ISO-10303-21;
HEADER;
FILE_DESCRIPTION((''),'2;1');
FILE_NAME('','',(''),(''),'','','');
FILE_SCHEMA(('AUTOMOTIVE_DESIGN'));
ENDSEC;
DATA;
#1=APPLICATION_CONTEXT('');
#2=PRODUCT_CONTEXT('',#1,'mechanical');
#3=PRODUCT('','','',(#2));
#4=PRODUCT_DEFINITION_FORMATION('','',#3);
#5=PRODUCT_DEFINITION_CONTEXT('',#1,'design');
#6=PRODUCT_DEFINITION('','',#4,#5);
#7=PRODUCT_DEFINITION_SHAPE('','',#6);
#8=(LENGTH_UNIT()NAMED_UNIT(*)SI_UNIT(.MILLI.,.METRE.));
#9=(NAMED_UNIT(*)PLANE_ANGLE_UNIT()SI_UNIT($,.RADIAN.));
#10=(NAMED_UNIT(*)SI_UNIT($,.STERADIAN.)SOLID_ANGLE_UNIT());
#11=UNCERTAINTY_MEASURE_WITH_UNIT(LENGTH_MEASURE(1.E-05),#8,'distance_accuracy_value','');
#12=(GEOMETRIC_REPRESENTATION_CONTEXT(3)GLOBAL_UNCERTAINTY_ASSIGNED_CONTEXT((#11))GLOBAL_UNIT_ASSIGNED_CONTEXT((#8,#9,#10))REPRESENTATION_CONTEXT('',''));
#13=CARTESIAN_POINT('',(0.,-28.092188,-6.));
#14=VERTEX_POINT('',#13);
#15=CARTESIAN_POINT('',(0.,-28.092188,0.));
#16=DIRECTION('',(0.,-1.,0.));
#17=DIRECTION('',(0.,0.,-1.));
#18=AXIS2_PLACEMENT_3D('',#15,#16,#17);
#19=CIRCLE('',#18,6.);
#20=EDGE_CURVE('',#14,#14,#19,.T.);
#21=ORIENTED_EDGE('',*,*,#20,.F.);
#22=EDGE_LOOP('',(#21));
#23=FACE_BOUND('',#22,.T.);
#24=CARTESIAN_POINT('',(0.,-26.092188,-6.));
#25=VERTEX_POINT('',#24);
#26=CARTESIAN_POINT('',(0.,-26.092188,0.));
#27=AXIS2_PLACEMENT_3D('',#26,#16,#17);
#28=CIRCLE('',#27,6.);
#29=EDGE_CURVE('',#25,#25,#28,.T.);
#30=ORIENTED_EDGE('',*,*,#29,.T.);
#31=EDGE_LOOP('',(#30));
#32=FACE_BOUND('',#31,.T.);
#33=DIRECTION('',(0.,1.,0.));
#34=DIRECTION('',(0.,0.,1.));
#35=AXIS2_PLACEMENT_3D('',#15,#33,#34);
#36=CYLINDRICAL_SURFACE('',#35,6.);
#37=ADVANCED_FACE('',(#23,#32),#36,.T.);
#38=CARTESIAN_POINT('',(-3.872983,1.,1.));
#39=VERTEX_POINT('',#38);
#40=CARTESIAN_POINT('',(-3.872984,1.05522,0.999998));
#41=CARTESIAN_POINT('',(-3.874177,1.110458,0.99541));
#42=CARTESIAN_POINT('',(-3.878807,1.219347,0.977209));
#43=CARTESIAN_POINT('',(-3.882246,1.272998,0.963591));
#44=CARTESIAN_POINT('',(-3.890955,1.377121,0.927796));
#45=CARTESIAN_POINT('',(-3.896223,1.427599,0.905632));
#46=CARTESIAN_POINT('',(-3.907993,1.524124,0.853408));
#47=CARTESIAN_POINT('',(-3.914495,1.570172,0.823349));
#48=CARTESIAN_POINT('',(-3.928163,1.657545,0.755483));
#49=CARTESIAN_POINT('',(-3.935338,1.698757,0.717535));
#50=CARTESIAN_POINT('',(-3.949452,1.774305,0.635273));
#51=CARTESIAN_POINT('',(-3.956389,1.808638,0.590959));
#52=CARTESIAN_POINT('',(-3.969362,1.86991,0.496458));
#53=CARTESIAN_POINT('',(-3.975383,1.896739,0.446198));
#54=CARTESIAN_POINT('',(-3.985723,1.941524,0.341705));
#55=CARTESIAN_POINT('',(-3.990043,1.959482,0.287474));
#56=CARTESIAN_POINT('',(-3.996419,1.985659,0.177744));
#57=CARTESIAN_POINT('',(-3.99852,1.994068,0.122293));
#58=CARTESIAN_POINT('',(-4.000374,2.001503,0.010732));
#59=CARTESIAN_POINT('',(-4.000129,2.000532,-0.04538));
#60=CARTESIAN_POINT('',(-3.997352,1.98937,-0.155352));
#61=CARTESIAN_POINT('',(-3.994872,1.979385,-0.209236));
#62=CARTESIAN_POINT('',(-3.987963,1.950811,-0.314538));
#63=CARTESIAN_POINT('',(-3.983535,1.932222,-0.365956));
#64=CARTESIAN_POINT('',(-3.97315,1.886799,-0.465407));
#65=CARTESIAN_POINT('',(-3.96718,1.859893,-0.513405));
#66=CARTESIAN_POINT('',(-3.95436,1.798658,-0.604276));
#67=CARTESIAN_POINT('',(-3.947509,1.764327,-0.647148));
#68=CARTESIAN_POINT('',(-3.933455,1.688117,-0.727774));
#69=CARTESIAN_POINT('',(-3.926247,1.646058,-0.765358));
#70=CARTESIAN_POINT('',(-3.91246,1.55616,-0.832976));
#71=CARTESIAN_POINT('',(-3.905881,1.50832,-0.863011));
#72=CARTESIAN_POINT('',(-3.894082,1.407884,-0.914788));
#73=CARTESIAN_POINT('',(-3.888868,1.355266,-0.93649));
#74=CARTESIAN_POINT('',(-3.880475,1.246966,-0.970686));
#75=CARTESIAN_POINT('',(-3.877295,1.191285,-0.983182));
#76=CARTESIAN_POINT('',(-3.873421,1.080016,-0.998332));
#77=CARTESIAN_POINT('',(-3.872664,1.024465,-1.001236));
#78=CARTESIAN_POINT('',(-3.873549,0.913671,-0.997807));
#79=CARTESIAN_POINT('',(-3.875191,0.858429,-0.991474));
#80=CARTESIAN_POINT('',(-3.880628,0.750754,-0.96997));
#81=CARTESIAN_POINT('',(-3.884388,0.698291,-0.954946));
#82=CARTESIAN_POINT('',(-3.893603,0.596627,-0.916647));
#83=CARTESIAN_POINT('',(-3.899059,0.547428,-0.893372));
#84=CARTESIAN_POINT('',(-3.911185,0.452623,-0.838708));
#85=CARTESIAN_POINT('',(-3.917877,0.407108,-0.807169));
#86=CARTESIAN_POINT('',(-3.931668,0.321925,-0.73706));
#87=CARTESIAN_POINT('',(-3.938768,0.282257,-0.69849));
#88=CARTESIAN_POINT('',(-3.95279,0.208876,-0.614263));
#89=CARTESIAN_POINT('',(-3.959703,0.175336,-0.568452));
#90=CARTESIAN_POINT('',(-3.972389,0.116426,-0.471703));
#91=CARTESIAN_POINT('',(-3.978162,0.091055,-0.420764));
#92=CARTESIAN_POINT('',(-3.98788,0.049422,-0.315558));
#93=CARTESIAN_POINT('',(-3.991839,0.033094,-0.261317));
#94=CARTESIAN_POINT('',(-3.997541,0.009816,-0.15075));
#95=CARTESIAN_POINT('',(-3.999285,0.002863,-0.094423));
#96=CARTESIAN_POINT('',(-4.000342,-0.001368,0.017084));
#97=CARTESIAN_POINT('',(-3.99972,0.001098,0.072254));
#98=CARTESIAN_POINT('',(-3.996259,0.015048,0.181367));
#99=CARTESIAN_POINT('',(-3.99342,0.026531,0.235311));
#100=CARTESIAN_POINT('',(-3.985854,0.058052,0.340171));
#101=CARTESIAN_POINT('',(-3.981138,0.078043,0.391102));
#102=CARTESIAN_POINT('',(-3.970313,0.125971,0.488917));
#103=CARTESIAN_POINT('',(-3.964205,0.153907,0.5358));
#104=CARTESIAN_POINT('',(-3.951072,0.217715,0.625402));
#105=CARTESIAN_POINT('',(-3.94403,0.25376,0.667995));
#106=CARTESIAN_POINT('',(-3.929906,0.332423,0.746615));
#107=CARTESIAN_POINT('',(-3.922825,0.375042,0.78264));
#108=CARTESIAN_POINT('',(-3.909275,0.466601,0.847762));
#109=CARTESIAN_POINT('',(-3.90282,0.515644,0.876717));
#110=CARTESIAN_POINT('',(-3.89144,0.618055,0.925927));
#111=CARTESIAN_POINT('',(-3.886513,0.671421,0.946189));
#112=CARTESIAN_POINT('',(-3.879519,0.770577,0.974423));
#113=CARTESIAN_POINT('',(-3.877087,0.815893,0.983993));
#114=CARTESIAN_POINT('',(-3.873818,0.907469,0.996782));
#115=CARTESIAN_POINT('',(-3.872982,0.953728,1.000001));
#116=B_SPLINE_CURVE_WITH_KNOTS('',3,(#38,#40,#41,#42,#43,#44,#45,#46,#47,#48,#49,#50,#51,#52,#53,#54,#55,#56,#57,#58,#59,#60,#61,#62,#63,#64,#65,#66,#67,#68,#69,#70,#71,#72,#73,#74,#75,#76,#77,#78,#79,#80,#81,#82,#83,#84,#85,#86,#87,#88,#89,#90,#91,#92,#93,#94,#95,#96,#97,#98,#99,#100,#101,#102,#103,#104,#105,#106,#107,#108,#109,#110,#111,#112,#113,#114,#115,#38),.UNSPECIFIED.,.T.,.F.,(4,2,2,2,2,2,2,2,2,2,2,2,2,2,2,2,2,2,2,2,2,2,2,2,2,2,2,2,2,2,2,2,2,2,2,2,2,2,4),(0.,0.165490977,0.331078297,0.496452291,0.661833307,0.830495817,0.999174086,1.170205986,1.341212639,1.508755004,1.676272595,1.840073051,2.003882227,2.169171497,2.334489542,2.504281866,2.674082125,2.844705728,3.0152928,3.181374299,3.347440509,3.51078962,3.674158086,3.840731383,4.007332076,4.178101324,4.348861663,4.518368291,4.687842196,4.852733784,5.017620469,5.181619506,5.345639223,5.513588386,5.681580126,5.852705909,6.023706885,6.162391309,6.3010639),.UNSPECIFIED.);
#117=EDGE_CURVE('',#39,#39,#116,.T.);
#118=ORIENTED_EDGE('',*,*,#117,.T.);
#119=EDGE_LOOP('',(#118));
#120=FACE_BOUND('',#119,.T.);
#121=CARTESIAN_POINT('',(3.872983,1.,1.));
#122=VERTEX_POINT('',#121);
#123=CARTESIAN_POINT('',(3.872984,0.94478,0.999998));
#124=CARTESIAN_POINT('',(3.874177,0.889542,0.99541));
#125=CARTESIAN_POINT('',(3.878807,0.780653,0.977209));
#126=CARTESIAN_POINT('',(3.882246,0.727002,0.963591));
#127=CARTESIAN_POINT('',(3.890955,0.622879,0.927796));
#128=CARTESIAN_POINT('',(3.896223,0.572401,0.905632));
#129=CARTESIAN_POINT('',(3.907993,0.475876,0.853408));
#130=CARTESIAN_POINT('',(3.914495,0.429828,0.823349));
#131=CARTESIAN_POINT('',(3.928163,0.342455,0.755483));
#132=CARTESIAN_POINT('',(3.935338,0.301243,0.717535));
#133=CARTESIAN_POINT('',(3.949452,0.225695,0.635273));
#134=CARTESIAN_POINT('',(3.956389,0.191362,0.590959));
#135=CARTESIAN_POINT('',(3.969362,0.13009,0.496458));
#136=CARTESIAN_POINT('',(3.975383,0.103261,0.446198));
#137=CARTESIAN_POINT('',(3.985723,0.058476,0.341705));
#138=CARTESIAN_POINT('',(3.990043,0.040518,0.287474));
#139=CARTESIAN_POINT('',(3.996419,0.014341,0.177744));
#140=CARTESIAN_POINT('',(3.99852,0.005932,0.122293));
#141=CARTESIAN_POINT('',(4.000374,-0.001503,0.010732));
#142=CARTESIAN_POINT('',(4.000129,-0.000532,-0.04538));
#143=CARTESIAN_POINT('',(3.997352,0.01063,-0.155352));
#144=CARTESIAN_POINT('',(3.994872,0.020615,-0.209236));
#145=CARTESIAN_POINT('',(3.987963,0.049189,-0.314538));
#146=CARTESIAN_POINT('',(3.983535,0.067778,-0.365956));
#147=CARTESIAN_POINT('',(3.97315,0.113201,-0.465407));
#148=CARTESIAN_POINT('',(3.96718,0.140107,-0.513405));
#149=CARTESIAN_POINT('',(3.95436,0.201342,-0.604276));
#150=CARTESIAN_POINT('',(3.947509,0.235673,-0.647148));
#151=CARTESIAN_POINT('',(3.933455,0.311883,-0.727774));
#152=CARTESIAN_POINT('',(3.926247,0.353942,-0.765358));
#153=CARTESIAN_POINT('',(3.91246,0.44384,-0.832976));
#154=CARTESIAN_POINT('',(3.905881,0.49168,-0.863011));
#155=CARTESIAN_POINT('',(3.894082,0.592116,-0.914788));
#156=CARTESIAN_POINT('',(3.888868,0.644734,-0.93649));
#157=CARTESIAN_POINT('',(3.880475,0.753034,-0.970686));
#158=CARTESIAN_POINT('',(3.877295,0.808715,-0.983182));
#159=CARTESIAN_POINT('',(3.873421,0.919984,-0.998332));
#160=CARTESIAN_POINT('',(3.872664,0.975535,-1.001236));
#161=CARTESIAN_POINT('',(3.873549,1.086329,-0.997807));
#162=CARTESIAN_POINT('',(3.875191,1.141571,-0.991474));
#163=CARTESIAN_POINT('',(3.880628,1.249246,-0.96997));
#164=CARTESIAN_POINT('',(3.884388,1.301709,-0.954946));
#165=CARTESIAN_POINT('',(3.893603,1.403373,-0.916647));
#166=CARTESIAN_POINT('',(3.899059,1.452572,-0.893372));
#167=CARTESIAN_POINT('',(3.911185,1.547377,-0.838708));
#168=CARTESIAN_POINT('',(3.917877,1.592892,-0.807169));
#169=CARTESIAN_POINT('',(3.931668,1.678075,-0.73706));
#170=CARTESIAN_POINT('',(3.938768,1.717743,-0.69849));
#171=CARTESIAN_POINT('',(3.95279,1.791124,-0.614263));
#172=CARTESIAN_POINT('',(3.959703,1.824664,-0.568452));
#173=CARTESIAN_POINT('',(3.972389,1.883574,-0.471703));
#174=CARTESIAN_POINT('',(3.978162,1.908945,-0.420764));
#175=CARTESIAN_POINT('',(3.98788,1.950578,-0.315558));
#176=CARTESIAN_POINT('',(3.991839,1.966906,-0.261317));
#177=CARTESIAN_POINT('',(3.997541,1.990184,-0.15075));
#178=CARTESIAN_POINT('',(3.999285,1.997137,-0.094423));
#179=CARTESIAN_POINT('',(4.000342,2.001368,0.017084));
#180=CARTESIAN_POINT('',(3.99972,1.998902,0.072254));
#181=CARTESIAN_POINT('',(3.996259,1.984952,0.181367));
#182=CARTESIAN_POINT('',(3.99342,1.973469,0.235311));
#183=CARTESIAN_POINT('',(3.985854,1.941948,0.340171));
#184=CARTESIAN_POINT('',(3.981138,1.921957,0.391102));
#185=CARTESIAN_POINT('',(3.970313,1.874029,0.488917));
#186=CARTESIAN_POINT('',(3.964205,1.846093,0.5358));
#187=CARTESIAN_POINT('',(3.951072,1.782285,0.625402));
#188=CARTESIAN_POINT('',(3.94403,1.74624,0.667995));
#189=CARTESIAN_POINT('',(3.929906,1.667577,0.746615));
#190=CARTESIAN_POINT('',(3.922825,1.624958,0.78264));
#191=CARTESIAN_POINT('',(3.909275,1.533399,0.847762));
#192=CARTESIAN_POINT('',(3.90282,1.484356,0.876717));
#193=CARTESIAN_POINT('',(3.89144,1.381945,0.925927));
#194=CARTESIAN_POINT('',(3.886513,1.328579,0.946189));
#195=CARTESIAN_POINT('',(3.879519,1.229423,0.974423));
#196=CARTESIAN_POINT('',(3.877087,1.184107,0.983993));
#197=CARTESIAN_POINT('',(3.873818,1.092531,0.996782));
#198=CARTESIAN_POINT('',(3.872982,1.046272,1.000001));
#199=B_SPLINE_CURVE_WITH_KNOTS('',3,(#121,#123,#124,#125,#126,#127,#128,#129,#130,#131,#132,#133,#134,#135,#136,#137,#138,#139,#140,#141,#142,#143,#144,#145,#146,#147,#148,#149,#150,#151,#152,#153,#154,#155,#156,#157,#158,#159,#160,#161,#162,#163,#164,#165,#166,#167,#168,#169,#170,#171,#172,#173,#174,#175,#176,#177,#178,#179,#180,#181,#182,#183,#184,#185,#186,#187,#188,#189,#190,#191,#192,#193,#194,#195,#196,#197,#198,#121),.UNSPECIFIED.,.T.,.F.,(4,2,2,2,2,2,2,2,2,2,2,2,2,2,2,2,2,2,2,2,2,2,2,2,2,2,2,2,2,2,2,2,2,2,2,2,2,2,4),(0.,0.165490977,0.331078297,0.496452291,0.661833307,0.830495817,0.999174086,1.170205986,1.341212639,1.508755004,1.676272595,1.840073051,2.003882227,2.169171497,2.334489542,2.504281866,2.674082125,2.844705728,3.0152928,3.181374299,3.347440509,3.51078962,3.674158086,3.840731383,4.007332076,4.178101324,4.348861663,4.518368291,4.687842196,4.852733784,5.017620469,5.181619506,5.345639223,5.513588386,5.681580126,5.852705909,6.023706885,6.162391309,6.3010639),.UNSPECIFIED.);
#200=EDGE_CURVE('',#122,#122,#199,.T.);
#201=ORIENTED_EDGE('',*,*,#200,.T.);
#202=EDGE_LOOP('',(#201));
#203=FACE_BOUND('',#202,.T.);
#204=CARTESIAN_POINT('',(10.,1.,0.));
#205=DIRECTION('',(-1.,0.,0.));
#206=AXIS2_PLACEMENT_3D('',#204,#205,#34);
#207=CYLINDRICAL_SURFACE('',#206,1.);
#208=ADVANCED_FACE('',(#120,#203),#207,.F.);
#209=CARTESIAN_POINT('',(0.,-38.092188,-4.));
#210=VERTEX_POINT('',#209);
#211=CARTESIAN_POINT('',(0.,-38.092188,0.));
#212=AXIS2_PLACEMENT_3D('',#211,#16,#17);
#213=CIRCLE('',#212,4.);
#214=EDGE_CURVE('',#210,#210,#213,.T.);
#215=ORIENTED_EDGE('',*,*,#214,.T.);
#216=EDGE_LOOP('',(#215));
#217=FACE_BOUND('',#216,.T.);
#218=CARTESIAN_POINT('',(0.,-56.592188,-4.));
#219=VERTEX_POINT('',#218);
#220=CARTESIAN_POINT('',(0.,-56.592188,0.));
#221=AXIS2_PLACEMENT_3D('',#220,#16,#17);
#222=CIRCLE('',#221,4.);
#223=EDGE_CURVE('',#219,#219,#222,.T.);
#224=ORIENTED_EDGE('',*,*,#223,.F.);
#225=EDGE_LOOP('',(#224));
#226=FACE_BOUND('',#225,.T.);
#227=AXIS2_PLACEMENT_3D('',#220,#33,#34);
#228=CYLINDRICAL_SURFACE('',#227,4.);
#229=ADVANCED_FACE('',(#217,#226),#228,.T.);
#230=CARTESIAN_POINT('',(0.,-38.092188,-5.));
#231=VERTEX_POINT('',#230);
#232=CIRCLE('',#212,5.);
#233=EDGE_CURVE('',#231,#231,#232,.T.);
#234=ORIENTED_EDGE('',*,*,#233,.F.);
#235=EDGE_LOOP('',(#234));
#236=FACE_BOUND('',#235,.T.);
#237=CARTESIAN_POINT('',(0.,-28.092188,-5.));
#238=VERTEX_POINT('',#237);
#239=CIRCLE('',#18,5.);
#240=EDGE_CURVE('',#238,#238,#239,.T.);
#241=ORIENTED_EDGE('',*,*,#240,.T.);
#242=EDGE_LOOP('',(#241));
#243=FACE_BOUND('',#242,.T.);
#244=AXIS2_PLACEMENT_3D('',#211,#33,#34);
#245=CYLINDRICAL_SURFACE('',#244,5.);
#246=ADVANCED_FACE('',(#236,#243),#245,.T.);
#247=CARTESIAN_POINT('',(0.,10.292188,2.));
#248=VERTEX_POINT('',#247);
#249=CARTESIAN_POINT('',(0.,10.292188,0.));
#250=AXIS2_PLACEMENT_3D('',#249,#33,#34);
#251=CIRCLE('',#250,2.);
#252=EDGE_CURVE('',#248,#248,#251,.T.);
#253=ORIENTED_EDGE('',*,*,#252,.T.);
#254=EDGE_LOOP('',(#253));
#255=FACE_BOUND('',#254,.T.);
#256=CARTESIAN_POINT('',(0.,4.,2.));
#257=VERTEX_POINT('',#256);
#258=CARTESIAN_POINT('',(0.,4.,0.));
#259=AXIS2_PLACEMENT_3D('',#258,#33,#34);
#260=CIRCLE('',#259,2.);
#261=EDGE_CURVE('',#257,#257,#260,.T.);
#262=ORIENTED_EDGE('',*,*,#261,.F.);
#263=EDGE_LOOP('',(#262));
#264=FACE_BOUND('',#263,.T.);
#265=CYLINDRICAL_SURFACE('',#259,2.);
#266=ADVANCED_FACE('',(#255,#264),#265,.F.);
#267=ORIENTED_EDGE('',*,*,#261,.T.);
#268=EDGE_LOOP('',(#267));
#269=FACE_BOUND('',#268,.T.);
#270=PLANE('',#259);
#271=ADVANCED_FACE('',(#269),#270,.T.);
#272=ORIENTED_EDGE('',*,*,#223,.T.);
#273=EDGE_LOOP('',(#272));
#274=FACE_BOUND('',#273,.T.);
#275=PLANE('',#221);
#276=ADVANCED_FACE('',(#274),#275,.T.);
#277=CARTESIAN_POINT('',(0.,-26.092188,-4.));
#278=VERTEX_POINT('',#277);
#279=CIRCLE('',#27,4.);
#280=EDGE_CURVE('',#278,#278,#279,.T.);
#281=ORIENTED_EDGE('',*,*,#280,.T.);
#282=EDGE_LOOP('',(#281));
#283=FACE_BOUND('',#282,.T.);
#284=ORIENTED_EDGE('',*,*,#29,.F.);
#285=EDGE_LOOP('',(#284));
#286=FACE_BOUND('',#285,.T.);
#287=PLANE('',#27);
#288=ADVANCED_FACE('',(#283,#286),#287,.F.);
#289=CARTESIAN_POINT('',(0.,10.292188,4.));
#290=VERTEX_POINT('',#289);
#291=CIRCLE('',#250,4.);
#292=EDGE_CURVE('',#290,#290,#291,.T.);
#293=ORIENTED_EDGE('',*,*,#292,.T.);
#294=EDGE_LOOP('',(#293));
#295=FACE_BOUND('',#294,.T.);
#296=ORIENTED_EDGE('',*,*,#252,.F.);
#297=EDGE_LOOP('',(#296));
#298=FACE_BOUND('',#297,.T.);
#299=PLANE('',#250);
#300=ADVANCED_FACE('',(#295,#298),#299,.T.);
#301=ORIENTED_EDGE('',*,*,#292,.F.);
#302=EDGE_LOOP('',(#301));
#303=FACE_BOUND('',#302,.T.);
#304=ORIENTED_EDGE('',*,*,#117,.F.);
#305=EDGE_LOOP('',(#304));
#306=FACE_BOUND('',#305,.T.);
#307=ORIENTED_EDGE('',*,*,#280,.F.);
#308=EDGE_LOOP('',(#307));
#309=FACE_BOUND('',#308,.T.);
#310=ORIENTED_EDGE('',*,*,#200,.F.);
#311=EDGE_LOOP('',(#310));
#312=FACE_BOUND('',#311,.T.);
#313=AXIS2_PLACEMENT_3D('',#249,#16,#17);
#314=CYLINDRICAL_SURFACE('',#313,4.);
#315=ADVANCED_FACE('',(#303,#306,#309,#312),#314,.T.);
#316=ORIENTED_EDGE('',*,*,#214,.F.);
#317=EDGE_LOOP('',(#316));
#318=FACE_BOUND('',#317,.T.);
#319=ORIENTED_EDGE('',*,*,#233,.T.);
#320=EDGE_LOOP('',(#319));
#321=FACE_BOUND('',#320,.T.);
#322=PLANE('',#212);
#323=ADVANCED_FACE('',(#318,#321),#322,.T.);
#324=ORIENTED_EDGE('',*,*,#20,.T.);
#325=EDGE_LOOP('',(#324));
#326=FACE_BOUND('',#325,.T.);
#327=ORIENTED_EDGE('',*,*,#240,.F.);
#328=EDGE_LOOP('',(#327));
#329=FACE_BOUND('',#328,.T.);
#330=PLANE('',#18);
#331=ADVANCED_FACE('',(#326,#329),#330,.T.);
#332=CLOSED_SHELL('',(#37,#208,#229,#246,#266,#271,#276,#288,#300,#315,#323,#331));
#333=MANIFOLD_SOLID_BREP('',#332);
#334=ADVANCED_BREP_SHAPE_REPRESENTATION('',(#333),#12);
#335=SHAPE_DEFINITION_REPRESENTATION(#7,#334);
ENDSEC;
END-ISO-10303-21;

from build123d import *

# Parameters (mm, degrees)
SKETCH1_R                = 4
IMPELLER_SECTION_DEPTH   = 10.2921875
SKETCH2_R                = 2
IMPELLER_BOLT_BORE_DEPTH = 6.2921875
SEAL_START               = 26.0921875
SKETCH3_R                = 4
SEAL_SECTION_DEPTH       = 26.0921875
DOWEL_HOLE_DEPTH         = 10
DOWEL_HOLE_DEPTH_BACK    = 10
SKETCH5_R                = 1
SKETCH6_R                = 6
BEARING_STOP_DEPTH       = 2
SKETCH8_R                = 5
BEARING_SECTION_DEPTH    = 10
BOSS_EXTRUDE4_START      = 18.5
SKETCH9_R                = 4
BOSS_EXTRUDE4_DEPTH      = 18.5


with BuildPart() as part:
    # Sketch1 → impeller section (new body)
    with BuildSketch(Plane(origin=(0, 0, 0), x_dir=(1, 0, 0), z_dir=(0, 1, 0))):
        with Locations(Location((0, 0, 0), (0, 0, 270))):
            Circle(SKETCH1_R)
    extrude(amount=IMPELLER_SECTION_DEPTH)

    # Sketch2 → impeller bolt bore (cut)
    with BuildSketch(Plane(origin=(0, 10.2921875, 0), x_dir=(1, 0, 0), z_dir=(0, 1, 0))):
        with Locations(Location((0, 0, 0), (0, 0, 270))):
            Circle(SKETCH2_R)
    extrude(amount=-IMPELLER_BOLT_BORE_DEPTH, mode=Mode.SUBTRACT)

    # Sketch3 → seal section (add)
    with BuildSketch(Plane(origin=(0, 0, 0), x_dir=(-1, 0, 0), z_dir=(0, -1, 0)).offset(SEAL_START)):
        with Locations(Location((0, 0, 0), (0, 0, 90))):
            Circle(SKETCH3_R)
    extrude(amount=-SEAL_SECTION_DEPTH)

    # Sketch5 → dowel hole (cut, two sides: drawn at the far end of the back side and taken through both)
    with BuildSketch(Plane(origin=(0, 0, 0), x_dir=(0, 0, -1), z_dir=(1, 0, 0)).offset(-DOWEL_HOLE_DEPTH_BACK)):
        with Locations(Location((0, 1, 0), (0, 0, 180))):
            Circle(SKETCH5_R)
    extrude(amount=DOWEL_HOLE_DEPTH + DOWEL_HOLE_DEPTH_BACK, mode=Mode.SUBTRACT)

    # Sketch6 → bearing stop (add)
    with BuildSketch(Plane.XZ.offset(26.0921875)):
        with Locations(Location((0, 0, 0), (0, 0, 270))):
            Circle(SKETCH6_R)
    extrude(amount=BEARING_STOP_DEPTH)

    # Sketch8 → bearing section (add)
    with BuildSketch(Plane.XZ.offset(28.0921875)):
        with Locations(Location((0, 0, 0), (0, 0, 270))):
            Circle(SKETCH8_R)
    extrude(amount=BEARING_SECTION_DEPTH)

    # Sketch9 → Boss-Extrude4 (add)
    with BuildSketch(Plane(origin=(0, -38.0921875, 0), x_dir=(-1, 0, 0), z_dir=(0, -1, 0)).offset(BOSS_EXTRUDE4_START)):
        with Locations(Location((0, 0, 0), (0, 0, 90))):
            Circle(SKETCH9_R)
    extrude(amount=-BOSS_EXTRUDE4_DEPTH)


solid = part.part
